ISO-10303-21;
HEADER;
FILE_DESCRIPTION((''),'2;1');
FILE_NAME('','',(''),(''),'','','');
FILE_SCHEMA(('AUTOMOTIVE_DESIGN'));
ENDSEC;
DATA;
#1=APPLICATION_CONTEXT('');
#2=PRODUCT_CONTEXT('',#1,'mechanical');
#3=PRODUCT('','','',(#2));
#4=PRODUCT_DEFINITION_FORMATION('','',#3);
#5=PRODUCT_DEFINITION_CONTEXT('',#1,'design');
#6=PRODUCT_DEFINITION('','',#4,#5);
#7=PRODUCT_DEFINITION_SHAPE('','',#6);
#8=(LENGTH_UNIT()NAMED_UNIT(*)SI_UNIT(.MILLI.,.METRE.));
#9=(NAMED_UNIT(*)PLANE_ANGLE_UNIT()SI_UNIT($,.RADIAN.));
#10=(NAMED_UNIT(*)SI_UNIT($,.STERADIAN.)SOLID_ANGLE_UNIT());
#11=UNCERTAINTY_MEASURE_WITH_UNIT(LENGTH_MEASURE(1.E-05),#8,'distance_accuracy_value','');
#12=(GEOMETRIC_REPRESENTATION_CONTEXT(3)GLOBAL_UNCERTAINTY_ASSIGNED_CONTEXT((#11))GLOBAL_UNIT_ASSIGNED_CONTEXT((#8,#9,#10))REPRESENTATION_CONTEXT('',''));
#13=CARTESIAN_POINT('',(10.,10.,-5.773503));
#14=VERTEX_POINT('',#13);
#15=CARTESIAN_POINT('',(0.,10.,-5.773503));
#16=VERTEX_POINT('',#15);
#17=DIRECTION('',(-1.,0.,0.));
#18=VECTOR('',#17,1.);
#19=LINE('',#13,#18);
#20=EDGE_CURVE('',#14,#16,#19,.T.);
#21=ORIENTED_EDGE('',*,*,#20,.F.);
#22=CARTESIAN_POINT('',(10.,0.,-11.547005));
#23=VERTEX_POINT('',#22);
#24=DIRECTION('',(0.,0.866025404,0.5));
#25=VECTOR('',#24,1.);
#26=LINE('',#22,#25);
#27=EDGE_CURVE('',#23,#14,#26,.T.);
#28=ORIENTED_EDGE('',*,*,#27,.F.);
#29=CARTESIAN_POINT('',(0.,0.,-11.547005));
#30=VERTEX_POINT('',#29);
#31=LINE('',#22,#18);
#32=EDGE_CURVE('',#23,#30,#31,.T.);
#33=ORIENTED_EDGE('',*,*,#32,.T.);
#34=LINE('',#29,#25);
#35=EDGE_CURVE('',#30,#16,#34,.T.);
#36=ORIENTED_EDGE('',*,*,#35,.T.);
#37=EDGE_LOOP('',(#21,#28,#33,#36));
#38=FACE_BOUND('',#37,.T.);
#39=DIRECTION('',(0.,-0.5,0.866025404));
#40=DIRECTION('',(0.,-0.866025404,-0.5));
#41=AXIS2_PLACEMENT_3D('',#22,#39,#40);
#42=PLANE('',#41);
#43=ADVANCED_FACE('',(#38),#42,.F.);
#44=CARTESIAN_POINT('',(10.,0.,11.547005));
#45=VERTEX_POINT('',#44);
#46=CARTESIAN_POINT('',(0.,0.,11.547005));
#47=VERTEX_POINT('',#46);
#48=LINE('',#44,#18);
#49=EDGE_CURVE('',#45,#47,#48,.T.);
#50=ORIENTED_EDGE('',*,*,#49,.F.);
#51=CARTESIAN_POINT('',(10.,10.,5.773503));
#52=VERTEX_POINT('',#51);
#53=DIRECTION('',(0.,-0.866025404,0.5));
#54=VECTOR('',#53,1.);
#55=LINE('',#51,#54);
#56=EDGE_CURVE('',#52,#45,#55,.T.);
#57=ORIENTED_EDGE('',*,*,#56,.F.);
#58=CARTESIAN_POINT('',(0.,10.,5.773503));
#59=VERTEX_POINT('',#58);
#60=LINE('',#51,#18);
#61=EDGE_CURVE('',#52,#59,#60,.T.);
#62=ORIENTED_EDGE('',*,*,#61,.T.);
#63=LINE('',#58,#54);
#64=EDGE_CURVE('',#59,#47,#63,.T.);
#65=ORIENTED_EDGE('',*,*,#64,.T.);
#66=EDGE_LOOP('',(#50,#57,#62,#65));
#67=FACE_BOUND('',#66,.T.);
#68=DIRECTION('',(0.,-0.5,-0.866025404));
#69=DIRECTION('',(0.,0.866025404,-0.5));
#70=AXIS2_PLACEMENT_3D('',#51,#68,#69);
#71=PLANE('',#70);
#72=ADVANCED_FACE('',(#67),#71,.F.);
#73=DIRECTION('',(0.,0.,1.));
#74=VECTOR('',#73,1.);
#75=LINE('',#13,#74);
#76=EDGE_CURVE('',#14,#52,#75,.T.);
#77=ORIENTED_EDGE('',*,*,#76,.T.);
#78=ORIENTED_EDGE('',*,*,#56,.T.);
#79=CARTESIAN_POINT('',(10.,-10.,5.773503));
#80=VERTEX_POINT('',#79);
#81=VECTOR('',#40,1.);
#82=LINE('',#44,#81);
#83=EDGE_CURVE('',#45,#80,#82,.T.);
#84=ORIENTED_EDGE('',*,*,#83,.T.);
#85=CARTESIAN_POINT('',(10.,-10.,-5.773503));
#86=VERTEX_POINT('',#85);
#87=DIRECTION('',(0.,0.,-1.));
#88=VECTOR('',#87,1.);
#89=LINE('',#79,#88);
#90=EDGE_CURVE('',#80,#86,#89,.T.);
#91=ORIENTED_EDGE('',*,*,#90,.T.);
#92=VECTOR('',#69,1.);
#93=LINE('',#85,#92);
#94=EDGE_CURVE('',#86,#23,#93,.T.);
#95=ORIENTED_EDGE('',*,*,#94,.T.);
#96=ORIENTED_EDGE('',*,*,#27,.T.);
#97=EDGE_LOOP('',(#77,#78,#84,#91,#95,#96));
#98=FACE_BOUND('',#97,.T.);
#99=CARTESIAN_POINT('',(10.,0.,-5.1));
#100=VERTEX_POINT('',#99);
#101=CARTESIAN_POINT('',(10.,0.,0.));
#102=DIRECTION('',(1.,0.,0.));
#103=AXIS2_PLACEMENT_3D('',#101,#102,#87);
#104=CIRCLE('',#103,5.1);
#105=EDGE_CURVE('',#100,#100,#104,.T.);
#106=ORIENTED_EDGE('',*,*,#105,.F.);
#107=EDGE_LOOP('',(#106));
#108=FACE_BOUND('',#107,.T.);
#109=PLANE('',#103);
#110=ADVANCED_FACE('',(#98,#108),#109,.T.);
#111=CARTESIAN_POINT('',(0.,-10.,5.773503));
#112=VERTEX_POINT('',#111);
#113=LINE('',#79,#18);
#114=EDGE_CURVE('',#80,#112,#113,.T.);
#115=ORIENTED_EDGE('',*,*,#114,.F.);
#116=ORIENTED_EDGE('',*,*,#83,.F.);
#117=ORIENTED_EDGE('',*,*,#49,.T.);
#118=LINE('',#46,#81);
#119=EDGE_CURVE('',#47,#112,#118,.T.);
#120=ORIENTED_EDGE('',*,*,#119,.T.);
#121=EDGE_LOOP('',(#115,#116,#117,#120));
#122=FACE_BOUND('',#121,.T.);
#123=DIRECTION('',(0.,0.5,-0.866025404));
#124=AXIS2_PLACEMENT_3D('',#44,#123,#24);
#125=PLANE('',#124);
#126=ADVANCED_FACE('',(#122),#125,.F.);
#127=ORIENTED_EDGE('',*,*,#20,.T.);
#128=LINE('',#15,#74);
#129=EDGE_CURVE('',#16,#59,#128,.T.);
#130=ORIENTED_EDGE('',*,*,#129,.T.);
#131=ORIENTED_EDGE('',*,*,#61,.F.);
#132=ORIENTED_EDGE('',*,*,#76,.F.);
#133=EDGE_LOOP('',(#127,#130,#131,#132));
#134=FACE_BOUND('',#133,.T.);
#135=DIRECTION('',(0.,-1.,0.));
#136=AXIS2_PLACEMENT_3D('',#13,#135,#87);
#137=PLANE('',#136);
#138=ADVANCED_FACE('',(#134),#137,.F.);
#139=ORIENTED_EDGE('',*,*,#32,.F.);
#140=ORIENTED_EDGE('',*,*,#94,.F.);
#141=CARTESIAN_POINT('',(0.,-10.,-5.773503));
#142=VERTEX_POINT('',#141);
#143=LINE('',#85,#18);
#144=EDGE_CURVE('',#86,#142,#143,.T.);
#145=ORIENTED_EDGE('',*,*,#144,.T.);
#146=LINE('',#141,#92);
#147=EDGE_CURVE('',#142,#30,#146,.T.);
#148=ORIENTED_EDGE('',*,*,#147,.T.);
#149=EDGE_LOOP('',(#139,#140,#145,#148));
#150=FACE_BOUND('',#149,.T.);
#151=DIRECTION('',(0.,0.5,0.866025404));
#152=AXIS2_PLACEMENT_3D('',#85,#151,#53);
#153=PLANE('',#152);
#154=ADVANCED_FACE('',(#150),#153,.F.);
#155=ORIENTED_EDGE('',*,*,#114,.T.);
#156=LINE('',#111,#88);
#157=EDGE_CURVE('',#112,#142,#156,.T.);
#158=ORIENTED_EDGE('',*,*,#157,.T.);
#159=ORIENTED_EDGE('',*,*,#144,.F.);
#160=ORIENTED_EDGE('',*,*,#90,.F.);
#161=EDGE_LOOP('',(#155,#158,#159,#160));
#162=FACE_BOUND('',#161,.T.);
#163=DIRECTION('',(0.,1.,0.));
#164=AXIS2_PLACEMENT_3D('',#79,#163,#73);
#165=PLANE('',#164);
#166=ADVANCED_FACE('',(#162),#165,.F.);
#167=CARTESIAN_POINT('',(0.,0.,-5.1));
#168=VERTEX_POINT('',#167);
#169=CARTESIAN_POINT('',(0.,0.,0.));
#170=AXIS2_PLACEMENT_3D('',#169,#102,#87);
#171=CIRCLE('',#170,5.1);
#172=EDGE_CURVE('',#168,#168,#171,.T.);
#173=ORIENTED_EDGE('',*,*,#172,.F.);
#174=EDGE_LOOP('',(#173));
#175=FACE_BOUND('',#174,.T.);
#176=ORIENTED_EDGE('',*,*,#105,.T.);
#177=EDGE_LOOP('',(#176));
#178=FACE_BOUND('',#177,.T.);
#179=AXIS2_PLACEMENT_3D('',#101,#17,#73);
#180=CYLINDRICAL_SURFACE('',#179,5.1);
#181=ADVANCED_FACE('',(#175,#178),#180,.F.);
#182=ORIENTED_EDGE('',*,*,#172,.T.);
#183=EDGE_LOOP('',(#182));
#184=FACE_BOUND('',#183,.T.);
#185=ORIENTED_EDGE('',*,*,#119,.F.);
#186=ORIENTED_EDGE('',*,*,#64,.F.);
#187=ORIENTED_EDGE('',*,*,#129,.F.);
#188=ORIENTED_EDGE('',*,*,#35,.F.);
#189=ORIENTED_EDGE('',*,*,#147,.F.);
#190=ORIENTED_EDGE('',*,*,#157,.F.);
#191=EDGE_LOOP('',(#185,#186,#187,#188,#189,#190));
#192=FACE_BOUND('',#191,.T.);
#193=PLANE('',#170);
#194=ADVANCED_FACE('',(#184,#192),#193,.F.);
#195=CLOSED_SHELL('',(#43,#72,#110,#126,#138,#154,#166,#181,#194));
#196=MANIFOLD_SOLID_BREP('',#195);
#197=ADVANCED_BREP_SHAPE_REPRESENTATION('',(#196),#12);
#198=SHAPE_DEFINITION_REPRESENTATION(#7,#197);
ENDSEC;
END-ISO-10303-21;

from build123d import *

# Parameters (mm, degrees)
SKETCH_1_R         = 5.1
F_01_HEX_M12_DEPTH = 10


with BuildPart() as part:
    # 草图1 → 01_HEX_M12 (new body)
    with BuildSketch(Plane(origin=(0, 0, 0), x_dir=(0, 0, -1), z_dir=(1, 0, 0))):
        Polygon((11.547005384, 0), (5.773502692, 10), (-5.773502692, 10), (-11.547005384, 0), (-5.773502692, -10), (5.773502692, -10), align=None)
        Circle(SKETCH_1_R, mode=Mode.SUBTRACT)
    extrude(amount=F_01_HEX_M12_DEPTH)


solid = part.part
